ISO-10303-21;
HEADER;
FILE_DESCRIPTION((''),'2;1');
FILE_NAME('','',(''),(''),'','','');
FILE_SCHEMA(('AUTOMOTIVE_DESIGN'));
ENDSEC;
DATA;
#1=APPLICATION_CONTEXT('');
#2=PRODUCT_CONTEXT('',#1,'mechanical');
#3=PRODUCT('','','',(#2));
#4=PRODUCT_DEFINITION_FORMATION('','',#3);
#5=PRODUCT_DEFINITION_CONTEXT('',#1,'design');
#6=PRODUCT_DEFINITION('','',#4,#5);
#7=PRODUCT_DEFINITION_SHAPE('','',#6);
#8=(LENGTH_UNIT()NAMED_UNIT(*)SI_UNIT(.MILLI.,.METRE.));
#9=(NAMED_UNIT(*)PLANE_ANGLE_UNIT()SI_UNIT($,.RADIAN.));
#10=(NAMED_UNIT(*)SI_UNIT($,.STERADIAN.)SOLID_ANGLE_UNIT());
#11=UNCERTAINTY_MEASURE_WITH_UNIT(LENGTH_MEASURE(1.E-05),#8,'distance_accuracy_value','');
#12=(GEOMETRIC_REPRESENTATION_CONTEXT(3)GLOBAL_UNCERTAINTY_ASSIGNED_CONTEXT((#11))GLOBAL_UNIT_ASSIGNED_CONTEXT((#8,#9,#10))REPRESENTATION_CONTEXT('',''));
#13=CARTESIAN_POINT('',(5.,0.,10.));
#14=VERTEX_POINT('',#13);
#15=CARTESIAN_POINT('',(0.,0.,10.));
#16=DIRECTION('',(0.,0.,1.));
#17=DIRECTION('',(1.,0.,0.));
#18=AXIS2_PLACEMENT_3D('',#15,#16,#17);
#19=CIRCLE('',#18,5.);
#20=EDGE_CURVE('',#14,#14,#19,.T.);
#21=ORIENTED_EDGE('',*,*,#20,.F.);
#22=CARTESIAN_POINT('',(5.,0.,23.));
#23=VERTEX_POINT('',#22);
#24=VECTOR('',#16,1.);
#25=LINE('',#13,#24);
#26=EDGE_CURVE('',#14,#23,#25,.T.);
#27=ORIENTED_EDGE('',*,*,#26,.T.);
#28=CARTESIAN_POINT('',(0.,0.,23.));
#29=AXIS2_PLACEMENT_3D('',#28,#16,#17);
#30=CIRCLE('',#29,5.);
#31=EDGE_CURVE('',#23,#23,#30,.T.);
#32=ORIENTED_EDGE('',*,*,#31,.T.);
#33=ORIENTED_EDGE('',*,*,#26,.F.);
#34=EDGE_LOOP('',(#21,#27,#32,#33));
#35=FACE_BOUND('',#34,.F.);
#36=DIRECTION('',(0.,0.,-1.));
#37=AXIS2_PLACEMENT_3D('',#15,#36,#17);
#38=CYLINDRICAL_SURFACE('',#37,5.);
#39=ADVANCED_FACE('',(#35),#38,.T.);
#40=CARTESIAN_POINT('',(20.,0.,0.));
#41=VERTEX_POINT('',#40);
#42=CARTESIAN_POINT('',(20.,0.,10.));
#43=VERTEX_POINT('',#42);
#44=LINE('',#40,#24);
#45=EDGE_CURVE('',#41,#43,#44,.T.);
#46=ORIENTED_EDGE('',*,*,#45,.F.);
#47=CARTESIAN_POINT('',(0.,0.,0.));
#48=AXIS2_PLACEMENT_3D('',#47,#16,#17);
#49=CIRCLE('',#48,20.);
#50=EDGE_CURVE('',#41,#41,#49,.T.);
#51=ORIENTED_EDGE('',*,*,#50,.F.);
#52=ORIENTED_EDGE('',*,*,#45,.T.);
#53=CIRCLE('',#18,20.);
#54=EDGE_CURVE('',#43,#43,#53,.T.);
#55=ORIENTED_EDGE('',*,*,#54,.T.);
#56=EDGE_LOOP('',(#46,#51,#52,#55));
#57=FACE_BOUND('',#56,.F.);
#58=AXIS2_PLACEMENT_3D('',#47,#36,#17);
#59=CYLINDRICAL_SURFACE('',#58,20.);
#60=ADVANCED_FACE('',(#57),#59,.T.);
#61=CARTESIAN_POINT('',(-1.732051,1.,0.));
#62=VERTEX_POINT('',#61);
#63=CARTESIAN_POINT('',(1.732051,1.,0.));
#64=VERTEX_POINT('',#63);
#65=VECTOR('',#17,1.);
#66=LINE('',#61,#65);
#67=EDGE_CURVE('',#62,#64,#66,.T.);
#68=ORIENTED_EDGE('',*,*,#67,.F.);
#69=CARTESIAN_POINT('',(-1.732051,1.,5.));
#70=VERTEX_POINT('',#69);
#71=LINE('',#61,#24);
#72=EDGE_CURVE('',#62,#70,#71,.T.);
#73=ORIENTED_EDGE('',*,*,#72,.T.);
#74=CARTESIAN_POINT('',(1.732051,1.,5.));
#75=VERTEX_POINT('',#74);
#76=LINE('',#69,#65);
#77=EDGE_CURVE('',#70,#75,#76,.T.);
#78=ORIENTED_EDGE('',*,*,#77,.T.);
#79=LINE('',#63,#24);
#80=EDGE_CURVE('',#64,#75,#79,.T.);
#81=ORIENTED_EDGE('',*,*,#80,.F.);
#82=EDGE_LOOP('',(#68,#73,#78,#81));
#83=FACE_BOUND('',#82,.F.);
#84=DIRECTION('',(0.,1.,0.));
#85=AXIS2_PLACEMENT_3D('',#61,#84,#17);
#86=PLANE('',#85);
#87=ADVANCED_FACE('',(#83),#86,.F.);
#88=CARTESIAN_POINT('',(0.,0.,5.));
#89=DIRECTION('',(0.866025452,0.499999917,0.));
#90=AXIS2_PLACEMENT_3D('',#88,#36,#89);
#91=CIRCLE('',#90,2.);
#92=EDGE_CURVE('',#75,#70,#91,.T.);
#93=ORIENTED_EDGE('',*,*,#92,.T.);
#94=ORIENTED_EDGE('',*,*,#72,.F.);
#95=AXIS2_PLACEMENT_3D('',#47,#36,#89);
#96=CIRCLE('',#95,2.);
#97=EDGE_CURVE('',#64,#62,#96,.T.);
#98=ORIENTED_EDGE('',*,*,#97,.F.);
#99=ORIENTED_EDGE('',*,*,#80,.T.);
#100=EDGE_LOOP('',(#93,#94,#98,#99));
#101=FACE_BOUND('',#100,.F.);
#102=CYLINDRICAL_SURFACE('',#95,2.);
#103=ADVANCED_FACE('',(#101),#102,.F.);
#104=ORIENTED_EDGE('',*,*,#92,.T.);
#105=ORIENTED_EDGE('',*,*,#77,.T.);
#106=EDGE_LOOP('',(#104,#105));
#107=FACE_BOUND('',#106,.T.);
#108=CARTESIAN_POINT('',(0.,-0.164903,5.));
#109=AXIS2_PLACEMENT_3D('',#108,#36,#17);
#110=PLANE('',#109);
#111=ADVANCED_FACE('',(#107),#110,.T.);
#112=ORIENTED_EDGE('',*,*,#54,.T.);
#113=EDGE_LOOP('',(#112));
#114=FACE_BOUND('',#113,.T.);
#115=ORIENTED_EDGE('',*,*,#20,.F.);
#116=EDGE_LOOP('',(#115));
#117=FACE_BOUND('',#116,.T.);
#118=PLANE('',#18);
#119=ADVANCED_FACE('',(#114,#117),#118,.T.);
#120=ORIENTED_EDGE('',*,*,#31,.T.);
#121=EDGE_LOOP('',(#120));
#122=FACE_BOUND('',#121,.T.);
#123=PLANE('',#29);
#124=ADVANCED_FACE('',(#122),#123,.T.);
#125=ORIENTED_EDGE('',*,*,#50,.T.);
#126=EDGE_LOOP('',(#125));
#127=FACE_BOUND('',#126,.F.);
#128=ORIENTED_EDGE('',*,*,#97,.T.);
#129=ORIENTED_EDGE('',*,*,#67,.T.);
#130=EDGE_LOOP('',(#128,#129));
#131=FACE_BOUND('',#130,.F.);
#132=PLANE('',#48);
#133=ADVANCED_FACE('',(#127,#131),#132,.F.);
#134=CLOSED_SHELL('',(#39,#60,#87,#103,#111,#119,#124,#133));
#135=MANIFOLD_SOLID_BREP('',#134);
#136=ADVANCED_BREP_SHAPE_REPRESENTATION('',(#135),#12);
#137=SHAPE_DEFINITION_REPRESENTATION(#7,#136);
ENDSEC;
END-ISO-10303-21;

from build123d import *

# Parameters (mm, degrees)
F0_R     = 20
F1_DEPTH = 10
F2_R     = 5
F3_DEPTH = 13
F5_DEPTH = 5


with BuildPart() as f1:
    # F0 (on Top) → F1 (new body)
    with BuildSketch(Plane.XY):
        Circle(F0_R)
    extrude(amount=F1_DEPTH)

    # F2 (on face) → F3 (join)
    with BuildSketch(Plane.XY.offset(10)):
        Circle(F2_R)
    extrude(amount=F3_DEPTH)

    # F4 (on face) → F5 (cut)
    with BuildSketch(Plane(origin=(0, 0, 0), x_dir=(1, 0, 0), z_dir=(0, 0, -1))):
        with BuildLine():
            Line((0, -1), (1.732051, -1))
            ThreePointArc((1.732051, -1), (0, 2), (-1.732051, -1))
            Line((-1.732051, -1), (0, -1))
        make_face()
    extrude(amount=-F5_DEPTH, mode=Mode.SUBTRACT)


solid = f1.part
